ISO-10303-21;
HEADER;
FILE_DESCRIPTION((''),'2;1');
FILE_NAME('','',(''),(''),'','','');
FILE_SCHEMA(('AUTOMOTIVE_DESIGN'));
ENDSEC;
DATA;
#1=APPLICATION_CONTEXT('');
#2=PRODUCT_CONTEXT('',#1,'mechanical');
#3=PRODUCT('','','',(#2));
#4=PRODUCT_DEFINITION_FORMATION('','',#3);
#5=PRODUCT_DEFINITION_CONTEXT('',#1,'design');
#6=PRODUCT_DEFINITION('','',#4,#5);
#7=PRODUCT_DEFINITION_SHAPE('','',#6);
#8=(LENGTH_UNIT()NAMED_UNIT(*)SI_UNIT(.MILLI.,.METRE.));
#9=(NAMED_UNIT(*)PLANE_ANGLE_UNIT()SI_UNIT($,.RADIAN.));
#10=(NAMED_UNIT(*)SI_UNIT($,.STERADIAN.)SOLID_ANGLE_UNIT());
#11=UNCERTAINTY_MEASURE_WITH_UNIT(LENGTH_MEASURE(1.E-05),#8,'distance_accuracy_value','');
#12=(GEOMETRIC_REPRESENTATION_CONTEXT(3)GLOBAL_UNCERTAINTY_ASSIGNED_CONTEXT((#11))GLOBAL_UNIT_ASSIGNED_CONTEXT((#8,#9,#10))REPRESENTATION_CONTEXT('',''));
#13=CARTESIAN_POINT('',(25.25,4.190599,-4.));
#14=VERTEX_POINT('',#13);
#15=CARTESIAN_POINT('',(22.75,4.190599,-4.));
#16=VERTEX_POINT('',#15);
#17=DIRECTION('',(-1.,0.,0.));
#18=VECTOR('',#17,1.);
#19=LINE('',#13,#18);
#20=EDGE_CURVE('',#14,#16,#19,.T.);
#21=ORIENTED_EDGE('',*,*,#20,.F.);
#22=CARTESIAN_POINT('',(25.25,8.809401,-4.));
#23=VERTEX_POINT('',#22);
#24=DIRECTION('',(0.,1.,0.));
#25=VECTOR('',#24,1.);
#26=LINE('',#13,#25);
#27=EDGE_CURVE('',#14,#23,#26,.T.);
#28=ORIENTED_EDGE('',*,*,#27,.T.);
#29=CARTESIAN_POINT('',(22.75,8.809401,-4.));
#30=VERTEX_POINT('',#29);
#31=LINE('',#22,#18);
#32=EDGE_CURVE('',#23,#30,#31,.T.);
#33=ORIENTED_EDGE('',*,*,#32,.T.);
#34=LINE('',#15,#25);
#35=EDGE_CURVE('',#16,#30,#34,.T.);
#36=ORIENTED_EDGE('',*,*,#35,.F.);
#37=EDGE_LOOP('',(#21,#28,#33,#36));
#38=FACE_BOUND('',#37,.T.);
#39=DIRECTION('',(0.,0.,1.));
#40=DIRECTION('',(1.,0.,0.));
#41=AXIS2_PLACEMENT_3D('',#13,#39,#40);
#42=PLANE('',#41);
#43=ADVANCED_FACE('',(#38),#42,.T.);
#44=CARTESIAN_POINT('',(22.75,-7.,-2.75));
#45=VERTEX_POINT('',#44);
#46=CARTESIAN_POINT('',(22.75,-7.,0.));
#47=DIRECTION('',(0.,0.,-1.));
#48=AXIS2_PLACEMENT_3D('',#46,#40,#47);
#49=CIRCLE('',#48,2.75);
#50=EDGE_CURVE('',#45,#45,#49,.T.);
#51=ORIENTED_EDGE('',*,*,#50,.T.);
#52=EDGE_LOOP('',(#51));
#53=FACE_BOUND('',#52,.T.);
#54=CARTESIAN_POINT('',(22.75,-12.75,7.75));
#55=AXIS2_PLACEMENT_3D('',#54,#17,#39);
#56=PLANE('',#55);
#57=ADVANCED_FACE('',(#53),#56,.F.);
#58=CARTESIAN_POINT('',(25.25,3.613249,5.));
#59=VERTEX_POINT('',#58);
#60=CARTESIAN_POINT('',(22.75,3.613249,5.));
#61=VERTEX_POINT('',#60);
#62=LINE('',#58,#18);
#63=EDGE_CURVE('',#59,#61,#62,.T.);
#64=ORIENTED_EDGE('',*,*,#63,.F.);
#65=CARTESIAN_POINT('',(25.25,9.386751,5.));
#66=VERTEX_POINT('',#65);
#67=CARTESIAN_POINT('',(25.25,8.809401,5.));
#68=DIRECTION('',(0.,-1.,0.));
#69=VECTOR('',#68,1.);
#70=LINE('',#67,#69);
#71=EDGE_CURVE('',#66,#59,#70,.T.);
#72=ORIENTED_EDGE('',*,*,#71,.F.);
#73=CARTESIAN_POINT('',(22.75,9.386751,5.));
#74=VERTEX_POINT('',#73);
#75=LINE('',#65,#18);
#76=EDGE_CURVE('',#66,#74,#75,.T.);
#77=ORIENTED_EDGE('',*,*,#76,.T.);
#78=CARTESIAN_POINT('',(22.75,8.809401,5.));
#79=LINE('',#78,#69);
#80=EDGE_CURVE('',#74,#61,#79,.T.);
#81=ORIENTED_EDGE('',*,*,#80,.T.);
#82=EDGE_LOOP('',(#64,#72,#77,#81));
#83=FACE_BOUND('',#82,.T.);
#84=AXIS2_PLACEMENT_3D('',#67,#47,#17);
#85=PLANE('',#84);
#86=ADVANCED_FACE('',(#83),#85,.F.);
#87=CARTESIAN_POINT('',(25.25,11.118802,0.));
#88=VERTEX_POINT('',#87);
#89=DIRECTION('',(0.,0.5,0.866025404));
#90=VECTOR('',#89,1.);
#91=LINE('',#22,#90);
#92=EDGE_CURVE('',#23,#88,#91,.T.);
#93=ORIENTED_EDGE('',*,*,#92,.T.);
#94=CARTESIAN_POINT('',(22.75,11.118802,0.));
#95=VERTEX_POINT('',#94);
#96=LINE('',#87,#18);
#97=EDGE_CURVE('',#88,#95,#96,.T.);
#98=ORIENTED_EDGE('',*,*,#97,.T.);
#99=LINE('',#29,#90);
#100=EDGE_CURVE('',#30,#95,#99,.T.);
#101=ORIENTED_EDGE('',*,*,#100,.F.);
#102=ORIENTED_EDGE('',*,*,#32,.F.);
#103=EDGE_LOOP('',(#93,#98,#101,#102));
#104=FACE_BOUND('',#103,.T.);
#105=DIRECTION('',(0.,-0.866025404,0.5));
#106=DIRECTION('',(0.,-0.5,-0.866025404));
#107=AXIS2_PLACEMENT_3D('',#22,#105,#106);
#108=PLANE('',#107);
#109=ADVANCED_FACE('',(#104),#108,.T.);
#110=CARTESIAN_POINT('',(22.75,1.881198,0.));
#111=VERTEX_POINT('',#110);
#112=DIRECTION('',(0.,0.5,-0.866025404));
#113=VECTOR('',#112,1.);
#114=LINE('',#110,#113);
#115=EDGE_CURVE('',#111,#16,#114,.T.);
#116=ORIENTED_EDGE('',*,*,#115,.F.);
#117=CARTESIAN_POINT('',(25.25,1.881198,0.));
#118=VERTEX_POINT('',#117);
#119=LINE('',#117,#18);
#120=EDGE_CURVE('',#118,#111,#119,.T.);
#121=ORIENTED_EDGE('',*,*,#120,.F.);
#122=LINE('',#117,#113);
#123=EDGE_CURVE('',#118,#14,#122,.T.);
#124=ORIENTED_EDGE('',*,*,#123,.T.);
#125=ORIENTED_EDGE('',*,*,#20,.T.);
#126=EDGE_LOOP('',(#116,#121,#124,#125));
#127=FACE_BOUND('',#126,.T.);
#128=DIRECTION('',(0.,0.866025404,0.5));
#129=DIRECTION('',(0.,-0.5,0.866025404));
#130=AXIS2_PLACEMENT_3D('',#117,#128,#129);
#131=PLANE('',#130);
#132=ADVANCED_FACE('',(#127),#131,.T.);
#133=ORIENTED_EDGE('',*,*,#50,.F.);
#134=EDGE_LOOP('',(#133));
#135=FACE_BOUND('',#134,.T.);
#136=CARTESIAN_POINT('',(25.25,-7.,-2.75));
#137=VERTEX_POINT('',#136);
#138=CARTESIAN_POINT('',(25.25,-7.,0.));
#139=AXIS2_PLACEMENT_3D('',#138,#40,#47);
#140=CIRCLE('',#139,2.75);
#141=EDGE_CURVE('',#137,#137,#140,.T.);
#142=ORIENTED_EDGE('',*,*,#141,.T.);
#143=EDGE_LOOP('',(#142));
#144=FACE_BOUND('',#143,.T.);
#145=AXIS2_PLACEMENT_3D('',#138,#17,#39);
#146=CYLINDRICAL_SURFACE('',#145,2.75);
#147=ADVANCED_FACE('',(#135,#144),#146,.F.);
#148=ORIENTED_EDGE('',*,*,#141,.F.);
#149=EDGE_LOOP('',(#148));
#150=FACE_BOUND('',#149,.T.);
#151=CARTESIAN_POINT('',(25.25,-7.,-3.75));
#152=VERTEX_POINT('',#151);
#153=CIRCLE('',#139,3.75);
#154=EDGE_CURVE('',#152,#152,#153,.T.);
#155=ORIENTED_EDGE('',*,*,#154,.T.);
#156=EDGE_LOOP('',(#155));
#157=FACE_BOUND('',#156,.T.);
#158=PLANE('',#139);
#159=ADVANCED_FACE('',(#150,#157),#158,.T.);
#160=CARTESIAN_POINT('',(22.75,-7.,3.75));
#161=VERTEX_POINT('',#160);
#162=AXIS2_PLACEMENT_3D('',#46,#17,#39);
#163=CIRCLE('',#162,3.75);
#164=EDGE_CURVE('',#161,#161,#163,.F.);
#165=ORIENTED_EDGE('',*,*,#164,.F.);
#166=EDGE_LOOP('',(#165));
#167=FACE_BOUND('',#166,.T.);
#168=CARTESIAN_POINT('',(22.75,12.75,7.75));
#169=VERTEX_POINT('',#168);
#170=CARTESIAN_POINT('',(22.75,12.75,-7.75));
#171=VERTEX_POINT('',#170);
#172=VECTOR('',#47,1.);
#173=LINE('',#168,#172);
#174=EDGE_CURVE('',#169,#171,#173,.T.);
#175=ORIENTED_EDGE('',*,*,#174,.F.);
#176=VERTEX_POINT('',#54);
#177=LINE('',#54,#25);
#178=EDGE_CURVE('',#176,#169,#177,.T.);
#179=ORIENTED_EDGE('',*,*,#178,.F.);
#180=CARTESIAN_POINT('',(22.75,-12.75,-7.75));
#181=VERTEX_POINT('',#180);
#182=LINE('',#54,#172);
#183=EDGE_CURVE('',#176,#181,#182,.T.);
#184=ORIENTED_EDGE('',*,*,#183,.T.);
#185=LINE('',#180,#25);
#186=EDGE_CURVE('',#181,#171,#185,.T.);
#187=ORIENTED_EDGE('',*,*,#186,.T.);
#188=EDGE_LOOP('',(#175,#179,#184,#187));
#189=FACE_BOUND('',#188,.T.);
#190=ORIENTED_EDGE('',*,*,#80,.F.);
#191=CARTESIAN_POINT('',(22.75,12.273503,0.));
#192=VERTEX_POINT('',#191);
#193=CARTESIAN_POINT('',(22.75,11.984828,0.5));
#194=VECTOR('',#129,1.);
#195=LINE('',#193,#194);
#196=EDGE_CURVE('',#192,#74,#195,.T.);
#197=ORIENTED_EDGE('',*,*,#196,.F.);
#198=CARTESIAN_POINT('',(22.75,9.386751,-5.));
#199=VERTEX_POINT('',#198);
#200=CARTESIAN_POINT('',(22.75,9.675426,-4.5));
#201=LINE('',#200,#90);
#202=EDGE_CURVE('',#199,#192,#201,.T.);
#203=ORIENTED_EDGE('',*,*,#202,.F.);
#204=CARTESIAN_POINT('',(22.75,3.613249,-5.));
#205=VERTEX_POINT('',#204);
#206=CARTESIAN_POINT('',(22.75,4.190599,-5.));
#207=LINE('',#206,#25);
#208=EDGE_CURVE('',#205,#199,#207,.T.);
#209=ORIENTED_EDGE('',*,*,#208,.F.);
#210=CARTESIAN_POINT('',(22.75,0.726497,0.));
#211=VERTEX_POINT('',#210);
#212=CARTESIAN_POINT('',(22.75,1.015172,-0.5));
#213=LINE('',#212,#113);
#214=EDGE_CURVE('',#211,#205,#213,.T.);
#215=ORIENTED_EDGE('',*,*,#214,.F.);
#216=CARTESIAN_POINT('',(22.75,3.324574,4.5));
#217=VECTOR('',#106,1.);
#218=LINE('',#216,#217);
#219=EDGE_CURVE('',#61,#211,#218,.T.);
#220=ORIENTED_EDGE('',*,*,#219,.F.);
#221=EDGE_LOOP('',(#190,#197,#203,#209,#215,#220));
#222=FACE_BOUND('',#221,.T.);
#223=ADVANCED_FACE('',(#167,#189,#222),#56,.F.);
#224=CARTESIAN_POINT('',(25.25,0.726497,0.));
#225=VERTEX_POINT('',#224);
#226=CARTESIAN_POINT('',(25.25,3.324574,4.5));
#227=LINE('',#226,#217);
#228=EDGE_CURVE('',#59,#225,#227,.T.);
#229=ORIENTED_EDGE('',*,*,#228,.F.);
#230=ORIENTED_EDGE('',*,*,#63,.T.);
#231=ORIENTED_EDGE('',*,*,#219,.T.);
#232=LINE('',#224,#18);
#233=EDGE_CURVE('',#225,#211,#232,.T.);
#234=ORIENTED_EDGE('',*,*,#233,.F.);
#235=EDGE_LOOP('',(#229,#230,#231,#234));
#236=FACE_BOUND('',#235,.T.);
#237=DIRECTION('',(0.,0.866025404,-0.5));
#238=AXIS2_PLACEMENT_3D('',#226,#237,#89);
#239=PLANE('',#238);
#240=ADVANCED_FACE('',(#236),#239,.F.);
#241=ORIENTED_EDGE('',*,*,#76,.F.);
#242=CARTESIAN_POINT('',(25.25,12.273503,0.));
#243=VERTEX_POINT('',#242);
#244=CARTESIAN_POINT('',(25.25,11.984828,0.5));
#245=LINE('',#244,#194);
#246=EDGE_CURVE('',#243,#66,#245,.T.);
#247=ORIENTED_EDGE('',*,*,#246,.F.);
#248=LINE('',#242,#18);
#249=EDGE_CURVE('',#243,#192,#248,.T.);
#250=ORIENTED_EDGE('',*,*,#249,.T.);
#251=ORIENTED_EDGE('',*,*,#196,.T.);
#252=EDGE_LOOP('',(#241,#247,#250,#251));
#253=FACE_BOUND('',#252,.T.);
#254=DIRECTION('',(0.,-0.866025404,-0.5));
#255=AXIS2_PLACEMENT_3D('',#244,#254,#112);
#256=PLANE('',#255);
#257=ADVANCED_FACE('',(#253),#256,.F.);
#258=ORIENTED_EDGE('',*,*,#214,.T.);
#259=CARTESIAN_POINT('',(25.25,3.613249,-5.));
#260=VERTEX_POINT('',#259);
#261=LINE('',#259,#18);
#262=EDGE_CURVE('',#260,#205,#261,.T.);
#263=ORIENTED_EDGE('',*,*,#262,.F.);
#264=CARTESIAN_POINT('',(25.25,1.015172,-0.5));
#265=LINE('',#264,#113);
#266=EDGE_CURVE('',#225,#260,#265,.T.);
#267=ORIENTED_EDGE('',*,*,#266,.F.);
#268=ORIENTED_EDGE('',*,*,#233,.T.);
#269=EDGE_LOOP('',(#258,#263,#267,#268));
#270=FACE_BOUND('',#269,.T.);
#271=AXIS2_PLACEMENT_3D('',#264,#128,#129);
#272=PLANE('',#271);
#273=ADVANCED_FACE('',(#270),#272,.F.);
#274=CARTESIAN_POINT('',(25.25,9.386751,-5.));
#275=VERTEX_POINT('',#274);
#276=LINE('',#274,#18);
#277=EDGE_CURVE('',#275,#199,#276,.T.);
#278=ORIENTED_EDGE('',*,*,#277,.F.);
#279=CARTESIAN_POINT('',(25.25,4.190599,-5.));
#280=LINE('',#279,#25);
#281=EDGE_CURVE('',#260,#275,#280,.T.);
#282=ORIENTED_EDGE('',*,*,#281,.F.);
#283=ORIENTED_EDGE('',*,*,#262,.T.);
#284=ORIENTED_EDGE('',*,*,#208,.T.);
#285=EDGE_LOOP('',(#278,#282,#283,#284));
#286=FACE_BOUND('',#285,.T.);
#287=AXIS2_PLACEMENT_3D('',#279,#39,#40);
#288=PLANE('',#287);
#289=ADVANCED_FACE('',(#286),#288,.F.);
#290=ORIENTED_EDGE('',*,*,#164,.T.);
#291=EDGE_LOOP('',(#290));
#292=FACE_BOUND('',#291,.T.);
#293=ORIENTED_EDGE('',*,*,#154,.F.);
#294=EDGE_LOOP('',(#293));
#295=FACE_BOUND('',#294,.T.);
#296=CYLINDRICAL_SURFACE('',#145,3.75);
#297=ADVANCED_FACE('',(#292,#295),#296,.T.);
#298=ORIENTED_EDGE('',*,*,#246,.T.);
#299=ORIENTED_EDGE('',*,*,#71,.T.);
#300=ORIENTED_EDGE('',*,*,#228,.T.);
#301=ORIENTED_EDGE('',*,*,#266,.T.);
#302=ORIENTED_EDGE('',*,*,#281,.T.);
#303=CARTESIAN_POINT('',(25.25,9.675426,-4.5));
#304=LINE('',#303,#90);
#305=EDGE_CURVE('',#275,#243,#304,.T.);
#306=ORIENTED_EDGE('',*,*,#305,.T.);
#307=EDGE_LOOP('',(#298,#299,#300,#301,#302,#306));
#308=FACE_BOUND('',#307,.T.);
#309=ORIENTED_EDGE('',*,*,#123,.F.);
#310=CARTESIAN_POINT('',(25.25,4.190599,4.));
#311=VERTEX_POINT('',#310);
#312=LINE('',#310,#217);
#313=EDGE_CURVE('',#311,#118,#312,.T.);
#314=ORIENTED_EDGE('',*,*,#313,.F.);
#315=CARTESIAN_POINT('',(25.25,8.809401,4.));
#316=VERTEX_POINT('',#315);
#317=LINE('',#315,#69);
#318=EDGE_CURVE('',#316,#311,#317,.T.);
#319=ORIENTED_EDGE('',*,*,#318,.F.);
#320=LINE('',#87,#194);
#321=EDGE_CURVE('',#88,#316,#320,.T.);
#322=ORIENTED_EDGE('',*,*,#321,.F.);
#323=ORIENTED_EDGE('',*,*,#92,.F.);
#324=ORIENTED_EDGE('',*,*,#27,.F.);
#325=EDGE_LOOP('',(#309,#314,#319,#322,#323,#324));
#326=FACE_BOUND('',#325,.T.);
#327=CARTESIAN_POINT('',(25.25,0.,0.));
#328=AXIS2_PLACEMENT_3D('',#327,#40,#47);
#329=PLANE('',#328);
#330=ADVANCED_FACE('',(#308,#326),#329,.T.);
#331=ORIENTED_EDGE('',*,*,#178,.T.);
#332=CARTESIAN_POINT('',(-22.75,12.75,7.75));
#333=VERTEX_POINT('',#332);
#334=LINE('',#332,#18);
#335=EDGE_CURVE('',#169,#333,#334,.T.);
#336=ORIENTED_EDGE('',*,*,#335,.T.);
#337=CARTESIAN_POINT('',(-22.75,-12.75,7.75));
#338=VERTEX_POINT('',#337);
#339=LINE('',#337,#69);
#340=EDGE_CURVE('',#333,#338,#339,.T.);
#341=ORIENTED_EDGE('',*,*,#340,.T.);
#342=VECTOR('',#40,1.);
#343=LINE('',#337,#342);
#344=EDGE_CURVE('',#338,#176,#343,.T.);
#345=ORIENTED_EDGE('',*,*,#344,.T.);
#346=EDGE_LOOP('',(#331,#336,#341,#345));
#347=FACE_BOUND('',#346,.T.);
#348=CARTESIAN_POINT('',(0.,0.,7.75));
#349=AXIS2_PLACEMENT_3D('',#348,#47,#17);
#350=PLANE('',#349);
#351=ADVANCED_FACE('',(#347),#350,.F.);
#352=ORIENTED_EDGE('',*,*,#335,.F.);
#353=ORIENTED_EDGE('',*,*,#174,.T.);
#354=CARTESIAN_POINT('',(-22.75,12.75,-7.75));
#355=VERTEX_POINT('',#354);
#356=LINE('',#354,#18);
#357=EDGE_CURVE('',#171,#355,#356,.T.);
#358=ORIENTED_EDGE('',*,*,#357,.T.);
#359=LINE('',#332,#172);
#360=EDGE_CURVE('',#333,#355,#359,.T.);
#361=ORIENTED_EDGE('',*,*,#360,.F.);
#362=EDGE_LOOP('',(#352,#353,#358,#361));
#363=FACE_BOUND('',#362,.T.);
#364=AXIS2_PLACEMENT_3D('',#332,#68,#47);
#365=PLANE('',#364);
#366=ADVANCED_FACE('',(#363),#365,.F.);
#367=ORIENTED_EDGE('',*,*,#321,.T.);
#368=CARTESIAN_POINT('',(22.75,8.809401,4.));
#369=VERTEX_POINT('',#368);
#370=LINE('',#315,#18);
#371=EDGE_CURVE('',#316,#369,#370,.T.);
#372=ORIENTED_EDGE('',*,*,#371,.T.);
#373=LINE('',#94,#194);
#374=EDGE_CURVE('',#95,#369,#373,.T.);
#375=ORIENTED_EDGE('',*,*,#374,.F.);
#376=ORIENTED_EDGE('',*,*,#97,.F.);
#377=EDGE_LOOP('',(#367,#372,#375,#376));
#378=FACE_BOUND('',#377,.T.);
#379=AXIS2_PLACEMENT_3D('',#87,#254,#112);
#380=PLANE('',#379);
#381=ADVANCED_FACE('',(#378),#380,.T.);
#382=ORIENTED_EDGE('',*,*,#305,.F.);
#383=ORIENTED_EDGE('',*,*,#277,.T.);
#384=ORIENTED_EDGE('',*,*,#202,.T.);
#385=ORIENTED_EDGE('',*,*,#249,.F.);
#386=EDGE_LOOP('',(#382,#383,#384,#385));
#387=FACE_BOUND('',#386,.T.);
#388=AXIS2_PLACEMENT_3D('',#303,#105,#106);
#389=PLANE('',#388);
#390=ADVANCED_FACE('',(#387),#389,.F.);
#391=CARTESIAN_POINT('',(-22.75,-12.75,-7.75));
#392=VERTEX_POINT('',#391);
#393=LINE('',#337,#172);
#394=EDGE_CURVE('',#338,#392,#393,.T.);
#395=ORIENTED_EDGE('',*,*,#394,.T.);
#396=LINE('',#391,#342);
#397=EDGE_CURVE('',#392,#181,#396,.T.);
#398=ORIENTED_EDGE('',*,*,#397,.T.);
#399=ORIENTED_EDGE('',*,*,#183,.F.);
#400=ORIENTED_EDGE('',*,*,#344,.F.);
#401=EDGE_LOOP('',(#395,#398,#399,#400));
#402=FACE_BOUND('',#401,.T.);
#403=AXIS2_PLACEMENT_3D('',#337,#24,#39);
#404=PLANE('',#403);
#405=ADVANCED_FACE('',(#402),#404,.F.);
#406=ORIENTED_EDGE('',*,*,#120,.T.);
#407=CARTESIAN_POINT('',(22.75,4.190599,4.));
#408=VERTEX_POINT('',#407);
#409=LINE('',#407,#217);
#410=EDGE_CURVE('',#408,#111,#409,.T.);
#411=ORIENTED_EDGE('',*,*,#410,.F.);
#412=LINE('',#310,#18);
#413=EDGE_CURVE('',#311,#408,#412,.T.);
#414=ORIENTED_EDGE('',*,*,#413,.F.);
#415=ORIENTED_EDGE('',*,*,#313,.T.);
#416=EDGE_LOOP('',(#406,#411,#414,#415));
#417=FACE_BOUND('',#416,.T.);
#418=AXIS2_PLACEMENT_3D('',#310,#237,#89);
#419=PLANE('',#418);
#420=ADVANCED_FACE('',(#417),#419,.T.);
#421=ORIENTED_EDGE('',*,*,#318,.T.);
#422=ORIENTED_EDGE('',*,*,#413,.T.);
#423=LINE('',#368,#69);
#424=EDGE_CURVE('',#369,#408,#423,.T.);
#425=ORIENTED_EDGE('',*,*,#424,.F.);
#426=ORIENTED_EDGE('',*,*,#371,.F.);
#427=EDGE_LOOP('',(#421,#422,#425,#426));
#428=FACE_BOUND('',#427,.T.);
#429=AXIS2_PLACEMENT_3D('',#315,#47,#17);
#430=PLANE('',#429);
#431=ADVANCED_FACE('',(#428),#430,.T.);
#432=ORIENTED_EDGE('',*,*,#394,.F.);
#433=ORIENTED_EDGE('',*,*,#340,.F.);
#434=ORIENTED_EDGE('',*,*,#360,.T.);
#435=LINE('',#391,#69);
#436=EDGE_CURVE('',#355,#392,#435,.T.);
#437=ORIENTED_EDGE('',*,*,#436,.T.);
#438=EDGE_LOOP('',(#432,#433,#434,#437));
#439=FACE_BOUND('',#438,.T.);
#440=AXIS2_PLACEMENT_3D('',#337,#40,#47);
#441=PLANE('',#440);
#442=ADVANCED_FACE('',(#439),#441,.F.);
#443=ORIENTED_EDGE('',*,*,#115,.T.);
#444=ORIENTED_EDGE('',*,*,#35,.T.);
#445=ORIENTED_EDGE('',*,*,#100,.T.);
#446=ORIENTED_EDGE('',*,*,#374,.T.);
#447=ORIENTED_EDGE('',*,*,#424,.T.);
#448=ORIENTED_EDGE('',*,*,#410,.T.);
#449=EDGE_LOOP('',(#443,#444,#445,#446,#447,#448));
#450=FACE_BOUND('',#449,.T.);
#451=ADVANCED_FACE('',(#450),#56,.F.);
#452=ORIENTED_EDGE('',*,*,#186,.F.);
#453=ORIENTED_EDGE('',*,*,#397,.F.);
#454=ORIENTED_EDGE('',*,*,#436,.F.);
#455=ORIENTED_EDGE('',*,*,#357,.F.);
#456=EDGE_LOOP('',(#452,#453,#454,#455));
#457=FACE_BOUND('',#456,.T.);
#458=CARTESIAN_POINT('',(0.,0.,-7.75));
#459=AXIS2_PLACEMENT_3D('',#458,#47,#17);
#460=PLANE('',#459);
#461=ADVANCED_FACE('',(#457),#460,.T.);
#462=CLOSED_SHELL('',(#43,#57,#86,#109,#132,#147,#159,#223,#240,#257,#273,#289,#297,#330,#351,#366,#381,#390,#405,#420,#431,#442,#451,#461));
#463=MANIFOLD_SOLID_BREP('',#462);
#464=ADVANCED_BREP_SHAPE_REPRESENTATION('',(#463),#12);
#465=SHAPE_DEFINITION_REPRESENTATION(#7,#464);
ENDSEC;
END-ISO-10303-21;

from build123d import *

# Parameters (mm, degrees)
CROQUIS1_W              = 45.5
CROQUIS1_H              = 25.5
SALIENTE_EXTRUIR1_DEPTH = 7.75
CROQUIS2_R              = 3.75
CROQUIS2_R_2            = 2.75
EXTRUIR_L_MINA1_DEPTH   = 2.5


with BuildPart() as part:
    # Croquis1 → Saliente-Extruir1 (new body, symmetric)
    with BuildSketch(Plane.XY):
        Rectangle(CROQUIS1_W, CROQUIS1_H)
    extrude(amount=SALIENTE_EXTRUIR1_DEPTH, both=True)

    # Croquis2 → Extruir-Lámina1 (add)
    with BuildSketch(Plane(origin=(22.75, 0, 0), x_dir=(0, 0, -1), z_dir=(1, 0, 0))):
        with Locations((0, -7)):
            Circle(CROQUIS2_R)
        with Locations((0, -7)):
            Circle(CROQUIS2_R_2, mode=Mode.SUBTRACT)
        Polygon((0, 12.273502692), (-5, 9.386751346), (-5, 3.613248654), (0, 0.726497308), (5, 3.613248654), (5, 9.386751346), align=None)
        Polygon((0, 11.118802154), (-4, 8.809401077), (-4, 4.190598923), (0, 1.881197846), (4, 4.190598923), (4, 8.809401077), align=None, mode=Mode.SUBTRACT)
    extrude(amount=EXTRUIR_L_MINA1_DEPTH)


solid = part.part
